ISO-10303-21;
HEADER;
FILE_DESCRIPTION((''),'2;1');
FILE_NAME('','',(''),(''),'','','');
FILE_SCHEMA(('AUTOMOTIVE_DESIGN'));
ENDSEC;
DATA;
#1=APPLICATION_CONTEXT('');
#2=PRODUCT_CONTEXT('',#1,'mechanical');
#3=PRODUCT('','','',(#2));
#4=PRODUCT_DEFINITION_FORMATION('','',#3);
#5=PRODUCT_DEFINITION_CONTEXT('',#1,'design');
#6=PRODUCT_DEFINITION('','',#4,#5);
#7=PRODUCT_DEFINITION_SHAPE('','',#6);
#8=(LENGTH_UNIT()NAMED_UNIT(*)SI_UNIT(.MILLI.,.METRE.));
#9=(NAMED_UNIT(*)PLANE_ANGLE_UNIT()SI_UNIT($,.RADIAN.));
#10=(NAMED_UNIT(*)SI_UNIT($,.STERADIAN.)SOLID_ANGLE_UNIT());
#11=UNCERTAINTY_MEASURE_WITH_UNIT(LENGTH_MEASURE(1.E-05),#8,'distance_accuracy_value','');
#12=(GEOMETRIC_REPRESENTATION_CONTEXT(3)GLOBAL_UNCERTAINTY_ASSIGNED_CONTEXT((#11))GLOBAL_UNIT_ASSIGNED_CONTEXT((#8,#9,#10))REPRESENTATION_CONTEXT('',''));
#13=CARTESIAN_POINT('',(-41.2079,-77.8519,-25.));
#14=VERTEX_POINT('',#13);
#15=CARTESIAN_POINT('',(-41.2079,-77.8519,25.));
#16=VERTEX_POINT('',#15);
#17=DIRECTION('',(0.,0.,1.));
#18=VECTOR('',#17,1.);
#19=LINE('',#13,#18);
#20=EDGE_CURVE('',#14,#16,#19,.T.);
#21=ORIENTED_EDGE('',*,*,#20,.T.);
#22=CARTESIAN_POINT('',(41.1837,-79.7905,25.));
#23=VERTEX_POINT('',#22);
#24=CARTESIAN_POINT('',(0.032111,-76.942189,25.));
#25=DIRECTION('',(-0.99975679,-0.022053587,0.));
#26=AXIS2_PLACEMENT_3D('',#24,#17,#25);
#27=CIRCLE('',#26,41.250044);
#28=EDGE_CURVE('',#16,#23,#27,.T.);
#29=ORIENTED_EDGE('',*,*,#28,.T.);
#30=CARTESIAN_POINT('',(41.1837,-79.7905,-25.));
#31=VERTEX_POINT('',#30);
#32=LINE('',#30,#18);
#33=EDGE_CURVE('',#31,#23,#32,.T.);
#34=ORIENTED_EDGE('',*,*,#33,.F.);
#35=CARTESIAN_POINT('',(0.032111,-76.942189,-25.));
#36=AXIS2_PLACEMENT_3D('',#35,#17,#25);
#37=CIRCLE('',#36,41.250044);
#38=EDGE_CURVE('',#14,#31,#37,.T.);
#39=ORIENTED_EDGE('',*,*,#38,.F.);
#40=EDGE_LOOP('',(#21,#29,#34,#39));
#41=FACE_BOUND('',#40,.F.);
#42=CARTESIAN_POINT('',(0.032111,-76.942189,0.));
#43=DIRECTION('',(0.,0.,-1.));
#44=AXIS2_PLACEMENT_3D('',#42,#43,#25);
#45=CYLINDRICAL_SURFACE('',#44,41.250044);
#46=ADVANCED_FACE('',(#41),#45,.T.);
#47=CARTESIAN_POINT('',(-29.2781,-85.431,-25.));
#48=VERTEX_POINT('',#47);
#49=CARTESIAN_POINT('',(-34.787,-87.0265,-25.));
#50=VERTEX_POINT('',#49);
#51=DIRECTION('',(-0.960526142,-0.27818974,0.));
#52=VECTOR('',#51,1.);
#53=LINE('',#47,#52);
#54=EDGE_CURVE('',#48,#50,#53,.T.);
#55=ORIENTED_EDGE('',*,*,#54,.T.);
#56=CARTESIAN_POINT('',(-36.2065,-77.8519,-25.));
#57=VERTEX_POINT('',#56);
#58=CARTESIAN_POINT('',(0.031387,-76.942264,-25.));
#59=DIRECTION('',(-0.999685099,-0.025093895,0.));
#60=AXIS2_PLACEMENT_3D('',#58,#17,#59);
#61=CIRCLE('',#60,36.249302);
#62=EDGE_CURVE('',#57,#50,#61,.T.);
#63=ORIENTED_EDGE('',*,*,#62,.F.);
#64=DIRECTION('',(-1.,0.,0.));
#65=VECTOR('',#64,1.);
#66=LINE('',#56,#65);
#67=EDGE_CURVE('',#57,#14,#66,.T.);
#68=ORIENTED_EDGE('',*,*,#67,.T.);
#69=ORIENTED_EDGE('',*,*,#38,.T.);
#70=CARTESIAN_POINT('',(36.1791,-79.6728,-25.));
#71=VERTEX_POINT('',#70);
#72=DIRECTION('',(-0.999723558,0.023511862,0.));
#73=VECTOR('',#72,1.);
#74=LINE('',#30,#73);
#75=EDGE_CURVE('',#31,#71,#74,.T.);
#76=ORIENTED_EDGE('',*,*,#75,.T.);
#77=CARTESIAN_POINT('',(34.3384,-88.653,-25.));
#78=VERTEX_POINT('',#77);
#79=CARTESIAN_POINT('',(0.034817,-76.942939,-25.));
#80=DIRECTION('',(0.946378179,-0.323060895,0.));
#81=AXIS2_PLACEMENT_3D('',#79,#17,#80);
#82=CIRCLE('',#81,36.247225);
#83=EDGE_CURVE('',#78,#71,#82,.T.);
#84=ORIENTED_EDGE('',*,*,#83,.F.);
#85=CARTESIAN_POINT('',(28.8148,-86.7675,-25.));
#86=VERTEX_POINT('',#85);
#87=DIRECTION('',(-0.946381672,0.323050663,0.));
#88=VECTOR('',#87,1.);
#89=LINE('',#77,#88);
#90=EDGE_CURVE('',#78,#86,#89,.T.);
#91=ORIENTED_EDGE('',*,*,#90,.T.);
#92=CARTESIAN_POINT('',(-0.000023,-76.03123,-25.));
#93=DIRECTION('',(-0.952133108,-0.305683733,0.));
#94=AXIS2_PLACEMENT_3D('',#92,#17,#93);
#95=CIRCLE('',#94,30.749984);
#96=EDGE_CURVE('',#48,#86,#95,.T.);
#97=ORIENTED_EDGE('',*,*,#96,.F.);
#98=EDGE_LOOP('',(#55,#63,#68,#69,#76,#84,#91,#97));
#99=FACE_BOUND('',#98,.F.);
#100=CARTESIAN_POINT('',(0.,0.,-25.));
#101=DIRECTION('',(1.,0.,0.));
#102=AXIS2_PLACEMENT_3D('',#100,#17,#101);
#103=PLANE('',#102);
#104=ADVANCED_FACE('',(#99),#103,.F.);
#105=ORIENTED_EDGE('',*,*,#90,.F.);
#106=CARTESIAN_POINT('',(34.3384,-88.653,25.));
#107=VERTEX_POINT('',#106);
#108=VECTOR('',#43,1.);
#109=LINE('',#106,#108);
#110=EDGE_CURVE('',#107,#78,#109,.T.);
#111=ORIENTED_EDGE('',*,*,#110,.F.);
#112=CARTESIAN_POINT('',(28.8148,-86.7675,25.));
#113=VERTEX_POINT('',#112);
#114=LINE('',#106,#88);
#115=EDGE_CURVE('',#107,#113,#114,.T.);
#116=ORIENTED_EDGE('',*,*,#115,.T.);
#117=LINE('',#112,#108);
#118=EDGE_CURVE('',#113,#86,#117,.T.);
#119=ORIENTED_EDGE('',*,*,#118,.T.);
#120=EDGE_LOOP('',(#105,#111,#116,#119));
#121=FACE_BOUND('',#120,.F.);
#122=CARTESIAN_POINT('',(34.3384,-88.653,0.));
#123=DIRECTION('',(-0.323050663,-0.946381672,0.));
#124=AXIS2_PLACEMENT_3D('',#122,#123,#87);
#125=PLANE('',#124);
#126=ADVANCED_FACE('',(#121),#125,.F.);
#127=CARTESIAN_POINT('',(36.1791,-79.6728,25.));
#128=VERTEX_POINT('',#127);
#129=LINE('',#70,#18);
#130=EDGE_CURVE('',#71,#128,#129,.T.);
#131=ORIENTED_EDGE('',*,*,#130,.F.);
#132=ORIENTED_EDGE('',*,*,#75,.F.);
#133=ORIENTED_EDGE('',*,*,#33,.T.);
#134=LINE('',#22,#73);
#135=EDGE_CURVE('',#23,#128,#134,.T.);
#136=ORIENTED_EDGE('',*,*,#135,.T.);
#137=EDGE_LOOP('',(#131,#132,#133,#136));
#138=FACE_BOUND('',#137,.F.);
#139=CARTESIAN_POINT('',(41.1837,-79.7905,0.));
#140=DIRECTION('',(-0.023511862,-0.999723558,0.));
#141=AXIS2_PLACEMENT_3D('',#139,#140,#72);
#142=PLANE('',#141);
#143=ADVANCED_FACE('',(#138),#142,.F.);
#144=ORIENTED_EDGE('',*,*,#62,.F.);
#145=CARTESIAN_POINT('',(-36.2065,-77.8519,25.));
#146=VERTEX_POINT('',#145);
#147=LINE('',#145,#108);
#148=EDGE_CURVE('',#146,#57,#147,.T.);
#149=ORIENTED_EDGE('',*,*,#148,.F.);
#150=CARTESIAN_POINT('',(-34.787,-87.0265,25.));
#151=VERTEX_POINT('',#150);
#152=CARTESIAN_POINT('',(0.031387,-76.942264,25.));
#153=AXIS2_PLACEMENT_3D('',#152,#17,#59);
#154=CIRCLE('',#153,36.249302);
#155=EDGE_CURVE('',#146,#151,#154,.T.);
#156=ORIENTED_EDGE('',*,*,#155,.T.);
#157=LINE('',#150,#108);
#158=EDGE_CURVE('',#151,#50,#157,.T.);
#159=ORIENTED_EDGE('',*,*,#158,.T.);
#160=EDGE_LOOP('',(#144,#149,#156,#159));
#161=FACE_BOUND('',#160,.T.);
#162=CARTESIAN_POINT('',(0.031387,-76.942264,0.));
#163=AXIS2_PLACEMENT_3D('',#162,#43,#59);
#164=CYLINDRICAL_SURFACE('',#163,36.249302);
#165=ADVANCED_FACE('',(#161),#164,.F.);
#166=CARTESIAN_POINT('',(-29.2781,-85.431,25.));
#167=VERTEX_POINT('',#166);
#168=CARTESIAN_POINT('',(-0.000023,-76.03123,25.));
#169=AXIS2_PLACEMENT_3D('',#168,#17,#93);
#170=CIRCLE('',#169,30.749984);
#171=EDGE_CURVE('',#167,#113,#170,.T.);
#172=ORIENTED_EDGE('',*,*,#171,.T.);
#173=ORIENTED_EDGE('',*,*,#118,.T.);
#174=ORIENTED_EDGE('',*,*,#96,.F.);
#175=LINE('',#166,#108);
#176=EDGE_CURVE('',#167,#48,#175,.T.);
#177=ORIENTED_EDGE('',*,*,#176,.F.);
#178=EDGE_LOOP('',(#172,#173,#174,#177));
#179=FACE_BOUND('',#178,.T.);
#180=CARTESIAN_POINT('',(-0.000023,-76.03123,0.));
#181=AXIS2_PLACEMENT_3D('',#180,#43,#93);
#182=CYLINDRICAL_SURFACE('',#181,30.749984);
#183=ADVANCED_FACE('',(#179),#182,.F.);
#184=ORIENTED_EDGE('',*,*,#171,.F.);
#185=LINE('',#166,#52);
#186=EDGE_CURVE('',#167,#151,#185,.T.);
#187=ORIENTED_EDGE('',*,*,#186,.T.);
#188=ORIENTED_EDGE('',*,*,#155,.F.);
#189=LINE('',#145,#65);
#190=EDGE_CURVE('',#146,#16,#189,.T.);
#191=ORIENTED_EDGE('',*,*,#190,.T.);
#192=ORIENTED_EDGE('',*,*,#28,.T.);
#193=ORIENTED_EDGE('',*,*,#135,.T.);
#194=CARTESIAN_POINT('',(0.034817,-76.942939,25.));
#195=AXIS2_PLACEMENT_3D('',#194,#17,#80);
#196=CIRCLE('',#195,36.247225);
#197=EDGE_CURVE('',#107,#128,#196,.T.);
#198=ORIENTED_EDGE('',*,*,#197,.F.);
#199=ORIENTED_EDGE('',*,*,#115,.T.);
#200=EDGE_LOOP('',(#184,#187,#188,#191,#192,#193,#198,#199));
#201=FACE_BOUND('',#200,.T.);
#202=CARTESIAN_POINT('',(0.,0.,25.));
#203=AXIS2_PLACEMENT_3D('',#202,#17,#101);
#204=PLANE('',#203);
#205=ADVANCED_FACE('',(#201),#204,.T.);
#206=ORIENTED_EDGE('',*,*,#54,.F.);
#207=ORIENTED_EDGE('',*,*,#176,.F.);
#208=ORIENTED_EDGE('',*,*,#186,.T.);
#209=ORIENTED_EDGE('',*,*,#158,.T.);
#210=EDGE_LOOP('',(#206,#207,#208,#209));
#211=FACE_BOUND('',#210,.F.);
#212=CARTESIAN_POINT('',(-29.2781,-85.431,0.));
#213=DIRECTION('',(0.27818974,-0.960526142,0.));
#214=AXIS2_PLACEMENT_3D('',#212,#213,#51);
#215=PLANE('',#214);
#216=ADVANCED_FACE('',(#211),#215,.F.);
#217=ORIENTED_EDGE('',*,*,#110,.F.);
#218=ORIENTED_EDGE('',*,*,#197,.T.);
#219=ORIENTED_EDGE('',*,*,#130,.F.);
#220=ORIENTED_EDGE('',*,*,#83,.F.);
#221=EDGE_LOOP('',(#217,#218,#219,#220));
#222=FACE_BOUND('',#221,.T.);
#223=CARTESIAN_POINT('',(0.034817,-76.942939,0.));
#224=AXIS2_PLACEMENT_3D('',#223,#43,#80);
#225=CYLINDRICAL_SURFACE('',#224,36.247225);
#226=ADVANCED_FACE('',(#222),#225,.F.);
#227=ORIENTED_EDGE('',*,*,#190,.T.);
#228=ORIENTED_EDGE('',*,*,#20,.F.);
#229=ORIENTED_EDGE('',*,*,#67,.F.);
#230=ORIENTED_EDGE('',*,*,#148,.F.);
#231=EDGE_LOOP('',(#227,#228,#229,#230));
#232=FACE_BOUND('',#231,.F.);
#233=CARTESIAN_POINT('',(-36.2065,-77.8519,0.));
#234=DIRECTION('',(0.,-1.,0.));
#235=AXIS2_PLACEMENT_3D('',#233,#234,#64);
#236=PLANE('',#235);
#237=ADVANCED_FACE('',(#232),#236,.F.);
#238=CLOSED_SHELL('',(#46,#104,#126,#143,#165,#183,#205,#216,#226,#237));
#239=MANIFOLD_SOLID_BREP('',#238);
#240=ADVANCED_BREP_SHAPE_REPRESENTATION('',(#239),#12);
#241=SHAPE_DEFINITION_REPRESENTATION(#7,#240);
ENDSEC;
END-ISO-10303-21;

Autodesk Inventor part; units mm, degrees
ref_plane "YZ Plane" through (0, 0, 0) normal (1, 0, 0) x (0, 1, 0)
ref_plane "XZ Plane" through (0, 0, 0) normal (0, 1, 0) x (-1, 0, 0)
ref_plane "XY Plane" through (0, 0, 0) normal (0, 0, 1) x (1, 0, 0)
sketch "Sketch1" plane through (0, 0, 0) normal (0, 0, 1) x (1, 0, 0)
  arc A0 (-41.2079, -77.8519) -> (41.1837, -79.7905) centre (0.0321, -76.9422) ccw
  line L0 (41.1837, -79.7905) -> (36.1791, -79.6728)
  arc A1 (34.3384, -88.653) -> (36.1791, -79.6728) centre (0.0321, -76.9422) ccw
  arc A2 (-36.2065, -77.8519) -> (-34.787, -87.0265) centre (0.0321, -76.9422) ccw
  line L1 (-29.2781, -85.431) -> (-34.787, -87.0265)
  line L2 (34.3384, -88.653) -> (28.8148, -86.7675)
  line L3 (-36.2065, -77.8519) -> (-41.2079, -77.8519)
  arc A3 (-30.7072, -77.6538) -> (-30.6804, -78.0996) centre (0, -76.0312) ccw
  arc A4 (-29.2781, -85.431) -> (28.8148, -86.7675) centre (0, -76.0312) ccw
  point P0 (0, 0)
extrude "Extrusion1" add sketch "Sketch1" along normal mid plane 50
properties part number "Back cover of tilting head" material "Stainless Steel, Austenitic"
